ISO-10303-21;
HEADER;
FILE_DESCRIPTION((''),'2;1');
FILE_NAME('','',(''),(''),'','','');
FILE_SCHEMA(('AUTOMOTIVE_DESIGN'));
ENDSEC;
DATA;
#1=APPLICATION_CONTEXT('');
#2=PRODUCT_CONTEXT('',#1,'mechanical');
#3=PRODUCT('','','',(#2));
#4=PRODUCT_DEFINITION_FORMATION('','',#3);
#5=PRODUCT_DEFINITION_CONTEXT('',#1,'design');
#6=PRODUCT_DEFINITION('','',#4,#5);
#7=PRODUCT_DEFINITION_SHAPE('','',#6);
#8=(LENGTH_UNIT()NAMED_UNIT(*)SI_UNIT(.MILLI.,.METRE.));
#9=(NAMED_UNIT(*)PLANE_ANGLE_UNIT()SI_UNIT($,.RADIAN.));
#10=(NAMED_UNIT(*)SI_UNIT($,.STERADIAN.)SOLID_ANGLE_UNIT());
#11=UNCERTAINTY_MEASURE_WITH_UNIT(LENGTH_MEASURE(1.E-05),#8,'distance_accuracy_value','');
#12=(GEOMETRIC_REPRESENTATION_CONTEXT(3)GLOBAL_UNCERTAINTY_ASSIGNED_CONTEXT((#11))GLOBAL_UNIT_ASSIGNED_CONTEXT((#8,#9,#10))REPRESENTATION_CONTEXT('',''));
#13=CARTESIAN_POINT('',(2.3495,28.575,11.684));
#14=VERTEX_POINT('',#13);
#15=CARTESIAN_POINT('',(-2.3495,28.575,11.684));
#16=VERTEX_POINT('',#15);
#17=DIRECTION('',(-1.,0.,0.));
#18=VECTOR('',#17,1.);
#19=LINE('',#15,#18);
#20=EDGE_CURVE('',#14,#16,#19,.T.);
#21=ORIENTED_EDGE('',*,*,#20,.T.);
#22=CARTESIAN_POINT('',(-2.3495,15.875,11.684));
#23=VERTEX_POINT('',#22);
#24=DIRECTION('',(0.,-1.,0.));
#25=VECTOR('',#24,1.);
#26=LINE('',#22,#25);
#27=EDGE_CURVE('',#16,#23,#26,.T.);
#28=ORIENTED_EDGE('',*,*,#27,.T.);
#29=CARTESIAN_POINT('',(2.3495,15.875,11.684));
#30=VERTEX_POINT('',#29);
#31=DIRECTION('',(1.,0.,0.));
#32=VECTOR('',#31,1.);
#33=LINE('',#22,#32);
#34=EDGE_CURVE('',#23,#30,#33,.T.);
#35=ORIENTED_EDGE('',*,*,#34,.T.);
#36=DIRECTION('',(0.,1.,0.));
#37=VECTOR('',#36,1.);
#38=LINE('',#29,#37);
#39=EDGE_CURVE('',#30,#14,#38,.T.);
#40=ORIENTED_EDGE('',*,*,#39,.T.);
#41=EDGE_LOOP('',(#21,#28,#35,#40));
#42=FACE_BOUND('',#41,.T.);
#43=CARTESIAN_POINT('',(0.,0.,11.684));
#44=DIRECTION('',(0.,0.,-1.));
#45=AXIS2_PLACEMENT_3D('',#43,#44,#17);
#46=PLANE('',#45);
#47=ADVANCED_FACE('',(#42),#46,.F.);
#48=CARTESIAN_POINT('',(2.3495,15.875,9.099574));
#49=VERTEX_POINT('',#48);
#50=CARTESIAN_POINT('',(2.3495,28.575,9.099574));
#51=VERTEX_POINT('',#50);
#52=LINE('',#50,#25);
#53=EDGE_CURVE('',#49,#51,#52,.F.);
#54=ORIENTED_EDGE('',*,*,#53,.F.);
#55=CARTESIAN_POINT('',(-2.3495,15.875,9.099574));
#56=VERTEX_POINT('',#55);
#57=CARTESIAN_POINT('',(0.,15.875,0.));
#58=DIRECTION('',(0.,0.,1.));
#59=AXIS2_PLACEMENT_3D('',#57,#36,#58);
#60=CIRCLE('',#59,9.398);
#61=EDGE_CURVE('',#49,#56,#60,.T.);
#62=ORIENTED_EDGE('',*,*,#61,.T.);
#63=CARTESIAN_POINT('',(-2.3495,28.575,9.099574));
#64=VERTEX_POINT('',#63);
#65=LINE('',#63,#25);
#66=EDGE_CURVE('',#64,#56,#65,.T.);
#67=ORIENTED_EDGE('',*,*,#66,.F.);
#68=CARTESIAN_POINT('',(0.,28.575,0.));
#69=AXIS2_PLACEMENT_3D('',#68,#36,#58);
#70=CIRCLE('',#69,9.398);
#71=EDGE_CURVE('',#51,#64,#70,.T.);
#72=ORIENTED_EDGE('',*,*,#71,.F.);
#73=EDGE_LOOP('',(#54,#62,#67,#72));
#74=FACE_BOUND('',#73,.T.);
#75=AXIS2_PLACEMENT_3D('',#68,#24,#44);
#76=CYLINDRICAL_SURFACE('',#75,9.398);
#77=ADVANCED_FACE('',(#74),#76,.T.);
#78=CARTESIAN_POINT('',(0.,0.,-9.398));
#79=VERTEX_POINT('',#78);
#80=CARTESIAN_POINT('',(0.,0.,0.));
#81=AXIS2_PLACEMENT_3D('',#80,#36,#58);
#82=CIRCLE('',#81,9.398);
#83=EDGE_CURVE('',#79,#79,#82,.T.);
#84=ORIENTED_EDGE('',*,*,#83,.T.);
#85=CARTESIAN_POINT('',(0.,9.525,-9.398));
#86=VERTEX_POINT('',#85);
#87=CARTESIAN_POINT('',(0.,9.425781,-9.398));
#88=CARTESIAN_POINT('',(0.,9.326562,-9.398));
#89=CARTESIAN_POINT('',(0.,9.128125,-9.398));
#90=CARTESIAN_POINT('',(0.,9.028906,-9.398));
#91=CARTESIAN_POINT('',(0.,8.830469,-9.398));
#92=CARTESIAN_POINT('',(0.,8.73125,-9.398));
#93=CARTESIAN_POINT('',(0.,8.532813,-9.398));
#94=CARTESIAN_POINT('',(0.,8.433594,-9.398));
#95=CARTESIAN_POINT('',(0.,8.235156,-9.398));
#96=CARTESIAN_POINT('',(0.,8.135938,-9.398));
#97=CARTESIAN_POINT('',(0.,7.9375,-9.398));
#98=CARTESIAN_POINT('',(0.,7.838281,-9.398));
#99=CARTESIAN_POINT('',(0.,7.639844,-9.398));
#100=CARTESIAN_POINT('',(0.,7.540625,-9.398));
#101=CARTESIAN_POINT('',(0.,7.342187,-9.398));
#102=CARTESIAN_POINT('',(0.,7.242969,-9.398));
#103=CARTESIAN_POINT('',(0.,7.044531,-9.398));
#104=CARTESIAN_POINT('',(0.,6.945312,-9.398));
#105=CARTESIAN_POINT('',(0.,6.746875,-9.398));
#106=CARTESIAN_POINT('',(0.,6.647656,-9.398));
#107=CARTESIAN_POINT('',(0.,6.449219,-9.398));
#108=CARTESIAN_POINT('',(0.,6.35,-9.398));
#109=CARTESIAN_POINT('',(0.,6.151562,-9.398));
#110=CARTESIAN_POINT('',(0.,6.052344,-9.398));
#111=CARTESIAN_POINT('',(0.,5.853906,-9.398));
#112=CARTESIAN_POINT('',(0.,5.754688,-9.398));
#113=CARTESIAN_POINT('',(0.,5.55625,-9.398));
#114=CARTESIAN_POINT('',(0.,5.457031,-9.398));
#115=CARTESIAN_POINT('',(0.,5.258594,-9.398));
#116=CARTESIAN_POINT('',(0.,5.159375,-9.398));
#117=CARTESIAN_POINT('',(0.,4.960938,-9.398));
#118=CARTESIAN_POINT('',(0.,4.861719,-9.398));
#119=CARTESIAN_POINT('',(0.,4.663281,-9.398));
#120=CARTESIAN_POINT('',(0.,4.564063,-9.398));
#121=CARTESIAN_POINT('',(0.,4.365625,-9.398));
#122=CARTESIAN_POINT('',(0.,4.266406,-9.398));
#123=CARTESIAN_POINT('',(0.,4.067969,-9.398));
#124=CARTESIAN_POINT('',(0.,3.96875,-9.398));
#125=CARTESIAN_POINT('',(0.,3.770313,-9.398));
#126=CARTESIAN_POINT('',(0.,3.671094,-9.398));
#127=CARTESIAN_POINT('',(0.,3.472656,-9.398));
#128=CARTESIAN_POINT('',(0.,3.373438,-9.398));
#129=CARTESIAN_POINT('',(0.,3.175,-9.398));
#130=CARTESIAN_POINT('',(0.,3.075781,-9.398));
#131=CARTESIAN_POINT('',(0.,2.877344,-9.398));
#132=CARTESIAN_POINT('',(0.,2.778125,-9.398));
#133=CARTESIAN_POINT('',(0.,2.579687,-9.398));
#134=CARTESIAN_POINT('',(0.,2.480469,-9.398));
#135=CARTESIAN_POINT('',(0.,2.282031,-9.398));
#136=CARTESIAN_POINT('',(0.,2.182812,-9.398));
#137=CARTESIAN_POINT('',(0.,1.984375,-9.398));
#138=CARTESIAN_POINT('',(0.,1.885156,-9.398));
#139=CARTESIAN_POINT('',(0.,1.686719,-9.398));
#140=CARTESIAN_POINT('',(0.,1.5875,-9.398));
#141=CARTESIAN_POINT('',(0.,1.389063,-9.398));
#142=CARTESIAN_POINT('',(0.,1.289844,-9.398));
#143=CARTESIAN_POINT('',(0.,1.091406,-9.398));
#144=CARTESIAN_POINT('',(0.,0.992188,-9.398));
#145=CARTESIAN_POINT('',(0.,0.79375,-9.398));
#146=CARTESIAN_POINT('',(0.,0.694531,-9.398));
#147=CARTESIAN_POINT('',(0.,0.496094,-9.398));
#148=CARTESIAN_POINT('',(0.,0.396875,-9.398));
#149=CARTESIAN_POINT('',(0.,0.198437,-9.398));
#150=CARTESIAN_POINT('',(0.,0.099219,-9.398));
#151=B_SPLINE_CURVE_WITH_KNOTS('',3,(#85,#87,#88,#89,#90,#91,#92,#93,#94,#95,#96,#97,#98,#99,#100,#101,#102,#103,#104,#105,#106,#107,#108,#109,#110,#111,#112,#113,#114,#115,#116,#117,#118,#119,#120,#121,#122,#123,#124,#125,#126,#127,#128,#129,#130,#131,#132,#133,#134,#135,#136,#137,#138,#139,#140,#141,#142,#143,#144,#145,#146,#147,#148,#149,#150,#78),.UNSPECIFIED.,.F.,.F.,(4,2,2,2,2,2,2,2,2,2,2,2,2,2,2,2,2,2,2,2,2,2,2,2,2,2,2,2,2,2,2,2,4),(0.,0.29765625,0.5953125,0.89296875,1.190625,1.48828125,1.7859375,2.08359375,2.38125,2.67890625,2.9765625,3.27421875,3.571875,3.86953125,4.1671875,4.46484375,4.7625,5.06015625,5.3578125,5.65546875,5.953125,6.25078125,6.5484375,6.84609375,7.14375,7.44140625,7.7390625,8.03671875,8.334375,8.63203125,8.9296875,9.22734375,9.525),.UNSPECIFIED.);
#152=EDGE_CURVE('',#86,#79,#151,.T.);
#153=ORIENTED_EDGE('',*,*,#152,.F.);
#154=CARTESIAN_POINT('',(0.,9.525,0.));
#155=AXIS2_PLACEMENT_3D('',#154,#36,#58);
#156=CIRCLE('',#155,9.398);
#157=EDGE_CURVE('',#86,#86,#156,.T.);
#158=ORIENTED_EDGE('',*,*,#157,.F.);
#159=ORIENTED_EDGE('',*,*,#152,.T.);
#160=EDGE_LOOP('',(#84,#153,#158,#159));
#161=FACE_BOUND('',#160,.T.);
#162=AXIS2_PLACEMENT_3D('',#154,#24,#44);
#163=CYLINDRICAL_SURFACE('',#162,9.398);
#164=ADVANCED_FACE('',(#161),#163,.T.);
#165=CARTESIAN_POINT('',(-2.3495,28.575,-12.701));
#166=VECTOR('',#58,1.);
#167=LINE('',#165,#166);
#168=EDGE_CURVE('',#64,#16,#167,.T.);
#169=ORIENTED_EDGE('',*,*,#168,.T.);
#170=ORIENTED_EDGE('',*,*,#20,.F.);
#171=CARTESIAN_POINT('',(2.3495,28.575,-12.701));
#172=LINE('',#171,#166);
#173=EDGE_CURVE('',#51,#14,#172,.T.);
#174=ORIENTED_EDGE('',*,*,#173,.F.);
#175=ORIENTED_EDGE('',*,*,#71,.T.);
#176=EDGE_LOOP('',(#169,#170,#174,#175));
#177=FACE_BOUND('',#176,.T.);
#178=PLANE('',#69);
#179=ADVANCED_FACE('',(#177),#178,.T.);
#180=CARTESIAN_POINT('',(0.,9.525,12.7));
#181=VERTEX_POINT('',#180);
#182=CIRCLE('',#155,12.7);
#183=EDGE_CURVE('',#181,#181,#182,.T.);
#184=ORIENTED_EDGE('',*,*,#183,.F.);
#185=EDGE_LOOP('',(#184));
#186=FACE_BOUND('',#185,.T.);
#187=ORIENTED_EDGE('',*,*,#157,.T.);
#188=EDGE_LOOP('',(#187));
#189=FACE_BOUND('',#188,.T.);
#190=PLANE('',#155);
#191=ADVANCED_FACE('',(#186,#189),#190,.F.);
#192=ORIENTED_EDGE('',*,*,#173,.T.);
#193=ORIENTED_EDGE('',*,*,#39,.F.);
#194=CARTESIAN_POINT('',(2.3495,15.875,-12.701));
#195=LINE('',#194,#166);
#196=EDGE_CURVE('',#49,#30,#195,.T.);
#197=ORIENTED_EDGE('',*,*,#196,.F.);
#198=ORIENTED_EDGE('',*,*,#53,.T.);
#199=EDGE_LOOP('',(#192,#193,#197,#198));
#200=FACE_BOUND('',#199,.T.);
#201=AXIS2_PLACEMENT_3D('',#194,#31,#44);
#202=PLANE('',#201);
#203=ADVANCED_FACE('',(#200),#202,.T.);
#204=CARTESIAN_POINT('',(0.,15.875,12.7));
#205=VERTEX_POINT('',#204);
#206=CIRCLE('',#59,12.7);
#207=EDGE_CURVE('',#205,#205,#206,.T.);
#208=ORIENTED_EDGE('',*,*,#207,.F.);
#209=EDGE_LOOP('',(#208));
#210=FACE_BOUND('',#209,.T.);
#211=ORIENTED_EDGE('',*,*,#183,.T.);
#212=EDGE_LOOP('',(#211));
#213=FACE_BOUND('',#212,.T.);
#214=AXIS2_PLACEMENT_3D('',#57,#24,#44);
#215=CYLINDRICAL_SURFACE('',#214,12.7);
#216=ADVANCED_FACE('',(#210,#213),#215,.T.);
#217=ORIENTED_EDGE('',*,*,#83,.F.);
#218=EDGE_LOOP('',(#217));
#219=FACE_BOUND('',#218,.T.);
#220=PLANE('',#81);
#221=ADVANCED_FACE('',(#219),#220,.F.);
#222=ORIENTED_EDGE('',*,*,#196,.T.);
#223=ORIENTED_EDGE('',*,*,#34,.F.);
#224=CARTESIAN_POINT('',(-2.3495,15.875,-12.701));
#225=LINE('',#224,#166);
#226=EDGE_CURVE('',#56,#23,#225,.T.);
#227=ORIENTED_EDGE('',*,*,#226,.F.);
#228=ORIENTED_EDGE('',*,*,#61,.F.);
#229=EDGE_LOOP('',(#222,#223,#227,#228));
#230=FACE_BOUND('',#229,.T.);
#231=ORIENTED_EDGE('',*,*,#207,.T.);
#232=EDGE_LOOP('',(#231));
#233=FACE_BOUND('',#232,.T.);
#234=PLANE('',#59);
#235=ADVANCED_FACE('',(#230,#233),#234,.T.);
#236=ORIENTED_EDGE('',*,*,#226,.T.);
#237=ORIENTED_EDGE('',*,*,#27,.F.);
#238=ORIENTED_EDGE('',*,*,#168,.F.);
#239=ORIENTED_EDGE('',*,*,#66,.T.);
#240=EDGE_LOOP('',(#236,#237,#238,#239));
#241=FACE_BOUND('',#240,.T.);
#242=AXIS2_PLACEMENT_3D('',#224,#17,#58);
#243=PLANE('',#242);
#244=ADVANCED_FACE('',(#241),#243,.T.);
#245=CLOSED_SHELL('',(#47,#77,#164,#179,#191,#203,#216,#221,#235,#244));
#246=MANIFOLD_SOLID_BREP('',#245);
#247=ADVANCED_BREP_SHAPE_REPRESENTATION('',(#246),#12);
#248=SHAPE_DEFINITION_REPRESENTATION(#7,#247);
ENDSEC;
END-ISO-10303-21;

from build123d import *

# Parameters (mm, degrees)
SKETCH1_R                = 9.398
BOSS_EXTRUDE1_DEPTH      = 9.525
SKETCH2_R                = 12.7
BOSS_EXTRUDE2_DEPTH      = 6.35
SKETCH3_R                = 9.398
BOSS_EXTRUDE3_DEPTH      = 12.7
BOSS_EXTRUDE4_REACH      = 41.654
BOSS_EXTRUDE4_END_RADIUS = 9.398
SKETCH4_W                = 4.699
SKETCH4_H                = 12.7


with BuildPart() as part:
    # Sketch1 → Boss-Extrude1 (new body)
    with BuildSketch(Plane(origin=(0, 0, 0), x_dir=(1, 0, 0), z_dir=(0, 1, 0))):
        with Locations(Location((0, 0, 0), (0, 0, 90))):
            Circle(SKETCH1_R)
    extrude(amount=BOSS_EXTRUDE1_DEPTH)

    # Sketch2 → Boss-Extrude2 (add)
    with BuildSketch(Plane(origin=(0, 9.525, 0), x_dir=(1, 0, 0), z_dir=(0, 1, 0))):
        with Locations(Location((0, 0, 0), (0, 0, 270))):
            Circle(SKETCH2_R)
    extrude(amount=BOSS_EXTRUDE2_DEPTH)

    # Sketch3 → Boss-Extrude3 (add)
    with BuildSketch(Plane(origin=(0, 15.875, 0), x_dir=(1, 0, 0), z_dir=(0, 1, 0))):
        with Locations(Location((0, 0, 0), (0, 0, 90))):
            Circle(SKETCH3_R)
    extrude(amount=BOSS_EXTRUDE3_DEPTH)

    # Boss-Extrude4: up to this cylinder (the profile starts outside it)
    boss_extrude4_end = Plane(origin=(0, 22.225, 0), z_dir=(0, -1, 0)) * Cylinder(BOSS_EXTRUDE4_END_RADIUS, 103.104, mode=Mode.PRIVATE)
    # Sketch4 → Boss-Extrude4 (add, up to the surface)
    with BuildSketch(Plane.XY.offset(11.684), mode=Mode.PRIVATE) as boss_extrude4_sk1:
        with Locations((0, 22.225)):
            Rectangle(SKETCH4_W, SKETCH4_H)
    boss_extrude4_tool1 = extrude(boss_extrude4_sk1.sketch, amount=-BOSS_EXTRUDE4_REACH, mode=Mode.PRIVATE) - boss_extrude4_end
    add(boss_extrude4_tool1.solids().sort_by_distance((0, 22.225, 11.684))[0])


solid = part.part
